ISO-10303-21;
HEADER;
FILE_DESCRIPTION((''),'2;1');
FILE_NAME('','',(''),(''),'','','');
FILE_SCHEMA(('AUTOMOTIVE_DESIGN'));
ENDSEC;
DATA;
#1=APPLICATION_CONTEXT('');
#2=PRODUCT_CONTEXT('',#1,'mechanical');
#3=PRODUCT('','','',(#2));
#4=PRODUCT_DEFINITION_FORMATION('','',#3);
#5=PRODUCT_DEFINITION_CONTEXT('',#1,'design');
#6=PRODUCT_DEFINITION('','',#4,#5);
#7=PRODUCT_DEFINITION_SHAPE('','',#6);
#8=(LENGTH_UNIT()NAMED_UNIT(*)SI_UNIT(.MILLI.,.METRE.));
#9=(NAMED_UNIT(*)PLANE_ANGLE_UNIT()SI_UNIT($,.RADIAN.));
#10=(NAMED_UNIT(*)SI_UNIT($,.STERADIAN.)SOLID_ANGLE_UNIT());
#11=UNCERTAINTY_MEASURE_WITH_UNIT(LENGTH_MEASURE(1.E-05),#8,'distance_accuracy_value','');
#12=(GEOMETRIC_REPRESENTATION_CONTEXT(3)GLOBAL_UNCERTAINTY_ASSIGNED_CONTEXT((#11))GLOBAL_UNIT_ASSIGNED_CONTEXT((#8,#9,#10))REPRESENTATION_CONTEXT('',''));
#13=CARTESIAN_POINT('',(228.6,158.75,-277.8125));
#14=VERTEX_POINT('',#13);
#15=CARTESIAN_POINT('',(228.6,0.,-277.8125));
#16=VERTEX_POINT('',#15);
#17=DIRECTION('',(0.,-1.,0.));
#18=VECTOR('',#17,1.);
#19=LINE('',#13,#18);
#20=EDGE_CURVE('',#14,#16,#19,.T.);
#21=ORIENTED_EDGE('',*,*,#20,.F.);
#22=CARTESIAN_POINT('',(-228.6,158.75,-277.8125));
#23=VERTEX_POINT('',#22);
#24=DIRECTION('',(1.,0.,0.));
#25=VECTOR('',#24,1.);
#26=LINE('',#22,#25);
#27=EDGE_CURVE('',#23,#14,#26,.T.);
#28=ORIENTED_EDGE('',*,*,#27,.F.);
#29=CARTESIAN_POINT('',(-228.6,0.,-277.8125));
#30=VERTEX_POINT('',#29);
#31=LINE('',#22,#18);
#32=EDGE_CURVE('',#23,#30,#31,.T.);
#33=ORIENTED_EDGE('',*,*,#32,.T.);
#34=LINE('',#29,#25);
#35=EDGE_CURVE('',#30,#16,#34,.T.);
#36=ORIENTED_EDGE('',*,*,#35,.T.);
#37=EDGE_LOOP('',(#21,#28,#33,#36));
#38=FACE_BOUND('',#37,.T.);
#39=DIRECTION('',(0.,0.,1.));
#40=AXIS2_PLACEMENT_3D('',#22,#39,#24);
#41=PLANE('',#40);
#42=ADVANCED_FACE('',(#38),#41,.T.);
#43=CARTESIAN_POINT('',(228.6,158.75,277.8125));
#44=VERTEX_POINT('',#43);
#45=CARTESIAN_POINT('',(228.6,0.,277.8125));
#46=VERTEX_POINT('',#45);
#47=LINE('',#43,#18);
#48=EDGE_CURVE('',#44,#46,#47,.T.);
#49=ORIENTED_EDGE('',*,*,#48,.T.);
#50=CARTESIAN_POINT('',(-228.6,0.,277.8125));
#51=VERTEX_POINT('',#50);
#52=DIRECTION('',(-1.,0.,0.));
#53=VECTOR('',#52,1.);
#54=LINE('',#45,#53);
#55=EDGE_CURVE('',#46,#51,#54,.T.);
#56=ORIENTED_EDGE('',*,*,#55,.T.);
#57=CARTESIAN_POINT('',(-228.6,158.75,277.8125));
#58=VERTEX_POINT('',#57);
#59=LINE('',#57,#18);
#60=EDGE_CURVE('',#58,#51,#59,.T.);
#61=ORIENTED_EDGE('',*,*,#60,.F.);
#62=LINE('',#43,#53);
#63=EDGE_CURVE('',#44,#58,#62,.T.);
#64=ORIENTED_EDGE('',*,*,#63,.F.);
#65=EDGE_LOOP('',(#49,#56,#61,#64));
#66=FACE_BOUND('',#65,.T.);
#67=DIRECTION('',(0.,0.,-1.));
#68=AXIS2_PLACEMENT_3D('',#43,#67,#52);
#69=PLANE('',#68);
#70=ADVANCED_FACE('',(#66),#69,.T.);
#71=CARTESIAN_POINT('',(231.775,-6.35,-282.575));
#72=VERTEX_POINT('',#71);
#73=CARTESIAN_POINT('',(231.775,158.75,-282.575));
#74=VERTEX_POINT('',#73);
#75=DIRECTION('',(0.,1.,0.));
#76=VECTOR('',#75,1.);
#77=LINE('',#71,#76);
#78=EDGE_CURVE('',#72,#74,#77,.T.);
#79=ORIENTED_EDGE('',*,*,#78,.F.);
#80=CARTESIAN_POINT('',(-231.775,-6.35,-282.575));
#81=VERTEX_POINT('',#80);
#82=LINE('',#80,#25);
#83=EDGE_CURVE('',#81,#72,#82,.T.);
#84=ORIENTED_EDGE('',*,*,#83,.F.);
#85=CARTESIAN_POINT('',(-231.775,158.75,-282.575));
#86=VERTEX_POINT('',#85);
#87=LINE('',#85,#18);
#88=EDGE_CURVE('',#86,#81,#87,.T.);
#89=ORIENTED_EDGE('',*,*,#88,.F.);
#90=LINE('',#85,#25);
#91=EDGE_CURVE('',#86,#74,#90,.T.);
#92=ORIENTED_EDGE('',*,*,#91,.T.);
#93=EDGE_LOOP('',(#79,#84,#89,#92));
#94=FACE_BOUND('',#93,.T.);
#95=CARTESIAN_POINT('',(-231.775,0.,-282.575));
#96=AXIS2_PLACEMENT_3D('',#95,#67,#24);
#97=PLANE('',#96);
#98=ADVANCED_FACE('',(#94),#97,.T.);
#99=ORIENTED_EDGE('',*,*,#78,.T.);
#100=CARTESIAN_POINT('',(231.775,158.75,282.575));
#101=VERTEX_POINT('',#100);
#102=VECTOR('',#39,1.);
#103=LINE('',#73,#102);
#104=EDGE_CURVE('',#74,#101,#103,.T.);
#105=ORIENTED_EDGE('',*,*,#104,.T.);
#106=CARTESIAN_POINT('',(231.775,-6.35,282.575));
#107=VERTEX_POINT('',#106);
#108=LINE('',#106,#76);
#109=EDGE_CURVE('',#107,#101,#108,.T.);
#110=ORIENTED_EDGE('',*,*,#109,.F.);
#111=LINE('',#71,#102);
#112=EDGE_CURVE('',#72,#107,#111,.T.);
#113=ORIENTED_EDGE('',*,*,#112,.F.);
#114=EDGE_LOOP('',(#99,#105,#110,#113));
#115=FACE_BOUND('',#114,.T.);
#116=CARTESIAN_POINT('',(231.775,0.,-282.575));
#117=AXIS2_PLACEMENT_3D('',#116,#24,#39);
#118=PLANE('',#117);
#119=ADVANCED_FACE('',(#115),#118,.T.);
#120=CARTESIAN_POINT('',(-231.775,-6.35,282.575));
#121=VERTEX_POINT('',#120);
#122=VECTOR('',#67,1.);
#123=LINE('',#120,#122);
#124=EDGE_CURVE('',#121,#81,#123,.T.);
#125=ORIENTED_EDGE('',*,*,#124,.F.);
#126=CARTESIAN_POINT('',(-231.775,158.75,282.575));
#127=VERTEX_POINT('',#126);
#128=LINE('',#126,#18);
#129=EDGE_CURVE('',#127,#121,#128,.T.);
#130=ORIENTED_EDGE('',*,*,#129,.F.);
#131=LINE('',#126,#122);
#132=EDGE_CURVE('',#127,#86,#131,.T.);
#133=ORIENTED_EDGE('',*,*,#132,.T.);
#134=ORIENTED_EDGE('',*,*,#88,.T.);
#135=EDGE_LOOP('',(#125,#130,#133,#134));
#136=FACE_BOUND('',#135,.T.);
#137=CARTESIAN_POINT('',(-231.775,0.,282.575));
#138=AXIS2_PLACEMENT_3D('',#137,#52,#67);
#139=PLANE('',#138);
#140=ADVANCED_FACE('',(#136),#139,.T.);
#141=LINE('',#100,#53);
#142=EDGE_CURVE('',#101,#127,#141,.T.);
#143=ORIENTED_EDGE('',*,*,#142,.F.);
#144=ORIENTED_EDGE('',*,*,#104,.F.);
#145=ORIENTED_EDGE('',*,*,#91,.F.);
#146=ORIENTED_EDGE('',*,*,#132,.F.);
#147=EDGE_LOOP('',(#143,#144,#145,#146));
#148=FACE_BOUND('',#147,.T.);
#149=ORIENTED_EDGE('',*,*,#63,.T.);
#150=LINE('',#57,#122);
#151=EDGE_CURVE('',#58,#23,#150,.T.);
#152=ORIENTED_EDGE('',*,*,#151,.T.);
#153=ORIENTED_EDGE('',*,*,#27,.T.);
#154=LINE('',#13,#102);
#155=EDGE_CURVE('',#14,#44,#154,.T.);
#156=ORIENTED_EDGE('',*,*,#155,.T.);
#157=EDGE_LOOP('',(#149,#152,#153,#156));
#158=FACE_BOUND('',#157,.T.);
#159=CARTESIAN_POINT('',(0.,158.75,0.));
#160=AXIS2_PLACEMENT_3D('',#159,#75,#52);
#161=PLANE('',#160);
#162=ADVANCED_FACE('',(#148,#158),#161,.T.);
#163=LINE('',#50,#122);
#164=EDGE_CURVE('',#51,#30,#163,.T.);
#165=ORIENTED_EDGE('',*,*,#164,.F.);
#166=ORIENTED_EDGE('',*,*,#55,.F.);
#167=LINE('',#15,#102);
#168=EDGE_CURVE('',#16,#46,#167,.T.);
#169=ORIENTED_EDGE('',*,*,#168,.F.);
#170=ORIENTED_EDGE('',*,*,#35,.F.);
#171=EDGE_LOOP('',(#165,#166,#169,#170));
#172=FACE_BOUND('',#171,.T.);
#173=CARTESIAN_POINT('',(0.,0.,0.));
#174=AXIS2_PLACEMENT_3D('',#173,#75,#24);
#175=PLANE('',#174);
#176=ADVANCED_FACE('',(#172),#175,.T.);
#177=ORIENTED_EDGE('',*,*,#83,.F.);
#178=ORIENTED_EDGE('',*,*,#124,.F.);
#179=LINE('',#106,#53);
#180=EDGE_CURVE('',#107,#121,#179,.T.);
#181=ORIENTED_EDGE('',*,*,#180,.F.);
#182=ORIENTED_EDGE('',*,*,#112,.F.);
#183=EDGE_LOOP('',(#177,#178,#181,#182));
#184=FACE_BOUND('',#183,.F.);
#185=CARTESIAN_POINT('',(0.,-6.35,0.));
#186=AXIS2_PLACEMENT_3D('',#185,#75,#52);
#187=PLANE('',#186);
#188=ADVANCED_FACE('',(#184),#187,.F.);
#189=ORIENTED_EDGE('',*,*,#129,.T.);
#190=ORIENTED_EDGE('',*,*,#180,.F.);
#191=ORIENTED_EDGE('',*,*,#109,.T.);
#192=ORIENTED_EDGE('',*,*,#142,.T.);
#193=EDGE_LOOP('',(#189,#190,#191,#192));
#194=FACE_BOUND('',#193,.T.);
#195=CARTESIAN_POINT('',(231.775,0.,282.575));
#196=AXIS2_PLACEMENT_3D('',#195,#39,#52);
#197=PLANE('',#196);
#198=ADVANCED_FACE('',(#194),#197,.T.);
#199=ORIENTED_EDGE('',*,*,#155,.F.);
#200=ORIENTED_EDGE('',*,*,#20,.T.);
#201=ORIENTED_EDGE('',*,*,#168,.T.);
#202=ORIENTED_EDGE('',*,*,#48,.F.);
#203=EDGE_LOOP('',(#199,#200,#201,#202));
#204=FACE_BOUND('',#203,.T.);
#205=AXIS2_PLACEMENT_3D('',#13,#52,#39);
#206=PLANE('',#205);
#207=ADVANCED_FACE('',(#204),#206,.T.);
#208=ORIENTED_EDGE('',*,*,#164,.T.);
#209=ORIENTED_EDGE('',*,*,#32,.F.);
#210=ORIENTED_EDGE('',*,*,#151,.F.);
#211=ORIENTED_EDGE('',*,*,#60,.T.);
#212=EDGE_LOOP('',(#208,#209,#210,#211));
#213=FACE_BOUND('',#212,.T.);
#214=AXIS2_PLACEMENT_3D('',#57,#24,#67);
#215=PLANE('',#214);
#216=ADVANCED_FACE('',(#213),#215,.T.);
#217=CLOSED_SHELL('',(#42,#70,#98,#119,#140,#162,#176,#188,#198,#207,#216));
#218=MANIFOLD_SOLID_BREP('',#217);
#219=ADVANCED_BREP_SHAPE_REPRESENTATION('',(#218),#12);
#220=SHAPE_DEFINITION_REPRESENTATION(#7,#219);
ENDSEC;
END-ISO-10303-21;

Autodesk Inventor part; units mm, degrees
ref_plane "YZ Plane" through (0, 0, 0) normal (1, 0, 0) x (0, 1, 0)
ref_plane "XZ Plane" through (0, 0, 0) normal (0, 1, 0) x (-1, 0, 0)
ref_plane "XY Plane" through (0, 0, 0) normal (0, 0, 1) x (1, 0, 0)
sketch "Sketch1" plane through (0, 0, 0) normal (0, 1, 0) x (-1, 0, 0)
  line L0 (-231.775, 282.575) -> (231.775, 282.575)
  line L1 (231.775, 282.575) -> (231.775, -282.575)
  line L2 (231.775, -282.575) -> (-231.775, -282.575)
  line L3 (-231.775, -282.575) -> (-231.775, 282.575)
  line L4 (-231.775, 282.575) -> (231.775, -282.575) construction
  line L5 (231.775, 282.575) -> (-231.775, -282.575) construction
  point P0 (0, 0)
  dimension "d0" = 565.15
  dimension "d1" = 463.55
extrude "Extrusion1" add sketch "Sketch1" along normal blind 158.75 and the other way blind 6.35
sketch "Sketch2" plane through (0, 158.75, 0) normal (0, 1, 0) x (1, 0, 0)
  line L0 (228.6, -277.8125) -> (-228.6, -277.8125)
  line L1 (-228.6, -277.8125) -> (-228.6, 277.8125)
  line L2 (-228.6, 277.8125) -> (228.6, 277.8125)
  line L3 (228.6, 277.8125) -> (228.6, -277.8125)
  line L4 (228.6, -277.8125) -> (-228.6, 277.8125) construction
  line L5 (-228.6, -277.8125) -> (228.6, 277.8125) construction
  point P0 (0, 0)
  dimension "d4" = 555.625
  dimension "d5" = 457.2
extrude "Extrusion2" cut sketch "Sketch2" against normal blind 158.75
properties part number "Pelican box"
